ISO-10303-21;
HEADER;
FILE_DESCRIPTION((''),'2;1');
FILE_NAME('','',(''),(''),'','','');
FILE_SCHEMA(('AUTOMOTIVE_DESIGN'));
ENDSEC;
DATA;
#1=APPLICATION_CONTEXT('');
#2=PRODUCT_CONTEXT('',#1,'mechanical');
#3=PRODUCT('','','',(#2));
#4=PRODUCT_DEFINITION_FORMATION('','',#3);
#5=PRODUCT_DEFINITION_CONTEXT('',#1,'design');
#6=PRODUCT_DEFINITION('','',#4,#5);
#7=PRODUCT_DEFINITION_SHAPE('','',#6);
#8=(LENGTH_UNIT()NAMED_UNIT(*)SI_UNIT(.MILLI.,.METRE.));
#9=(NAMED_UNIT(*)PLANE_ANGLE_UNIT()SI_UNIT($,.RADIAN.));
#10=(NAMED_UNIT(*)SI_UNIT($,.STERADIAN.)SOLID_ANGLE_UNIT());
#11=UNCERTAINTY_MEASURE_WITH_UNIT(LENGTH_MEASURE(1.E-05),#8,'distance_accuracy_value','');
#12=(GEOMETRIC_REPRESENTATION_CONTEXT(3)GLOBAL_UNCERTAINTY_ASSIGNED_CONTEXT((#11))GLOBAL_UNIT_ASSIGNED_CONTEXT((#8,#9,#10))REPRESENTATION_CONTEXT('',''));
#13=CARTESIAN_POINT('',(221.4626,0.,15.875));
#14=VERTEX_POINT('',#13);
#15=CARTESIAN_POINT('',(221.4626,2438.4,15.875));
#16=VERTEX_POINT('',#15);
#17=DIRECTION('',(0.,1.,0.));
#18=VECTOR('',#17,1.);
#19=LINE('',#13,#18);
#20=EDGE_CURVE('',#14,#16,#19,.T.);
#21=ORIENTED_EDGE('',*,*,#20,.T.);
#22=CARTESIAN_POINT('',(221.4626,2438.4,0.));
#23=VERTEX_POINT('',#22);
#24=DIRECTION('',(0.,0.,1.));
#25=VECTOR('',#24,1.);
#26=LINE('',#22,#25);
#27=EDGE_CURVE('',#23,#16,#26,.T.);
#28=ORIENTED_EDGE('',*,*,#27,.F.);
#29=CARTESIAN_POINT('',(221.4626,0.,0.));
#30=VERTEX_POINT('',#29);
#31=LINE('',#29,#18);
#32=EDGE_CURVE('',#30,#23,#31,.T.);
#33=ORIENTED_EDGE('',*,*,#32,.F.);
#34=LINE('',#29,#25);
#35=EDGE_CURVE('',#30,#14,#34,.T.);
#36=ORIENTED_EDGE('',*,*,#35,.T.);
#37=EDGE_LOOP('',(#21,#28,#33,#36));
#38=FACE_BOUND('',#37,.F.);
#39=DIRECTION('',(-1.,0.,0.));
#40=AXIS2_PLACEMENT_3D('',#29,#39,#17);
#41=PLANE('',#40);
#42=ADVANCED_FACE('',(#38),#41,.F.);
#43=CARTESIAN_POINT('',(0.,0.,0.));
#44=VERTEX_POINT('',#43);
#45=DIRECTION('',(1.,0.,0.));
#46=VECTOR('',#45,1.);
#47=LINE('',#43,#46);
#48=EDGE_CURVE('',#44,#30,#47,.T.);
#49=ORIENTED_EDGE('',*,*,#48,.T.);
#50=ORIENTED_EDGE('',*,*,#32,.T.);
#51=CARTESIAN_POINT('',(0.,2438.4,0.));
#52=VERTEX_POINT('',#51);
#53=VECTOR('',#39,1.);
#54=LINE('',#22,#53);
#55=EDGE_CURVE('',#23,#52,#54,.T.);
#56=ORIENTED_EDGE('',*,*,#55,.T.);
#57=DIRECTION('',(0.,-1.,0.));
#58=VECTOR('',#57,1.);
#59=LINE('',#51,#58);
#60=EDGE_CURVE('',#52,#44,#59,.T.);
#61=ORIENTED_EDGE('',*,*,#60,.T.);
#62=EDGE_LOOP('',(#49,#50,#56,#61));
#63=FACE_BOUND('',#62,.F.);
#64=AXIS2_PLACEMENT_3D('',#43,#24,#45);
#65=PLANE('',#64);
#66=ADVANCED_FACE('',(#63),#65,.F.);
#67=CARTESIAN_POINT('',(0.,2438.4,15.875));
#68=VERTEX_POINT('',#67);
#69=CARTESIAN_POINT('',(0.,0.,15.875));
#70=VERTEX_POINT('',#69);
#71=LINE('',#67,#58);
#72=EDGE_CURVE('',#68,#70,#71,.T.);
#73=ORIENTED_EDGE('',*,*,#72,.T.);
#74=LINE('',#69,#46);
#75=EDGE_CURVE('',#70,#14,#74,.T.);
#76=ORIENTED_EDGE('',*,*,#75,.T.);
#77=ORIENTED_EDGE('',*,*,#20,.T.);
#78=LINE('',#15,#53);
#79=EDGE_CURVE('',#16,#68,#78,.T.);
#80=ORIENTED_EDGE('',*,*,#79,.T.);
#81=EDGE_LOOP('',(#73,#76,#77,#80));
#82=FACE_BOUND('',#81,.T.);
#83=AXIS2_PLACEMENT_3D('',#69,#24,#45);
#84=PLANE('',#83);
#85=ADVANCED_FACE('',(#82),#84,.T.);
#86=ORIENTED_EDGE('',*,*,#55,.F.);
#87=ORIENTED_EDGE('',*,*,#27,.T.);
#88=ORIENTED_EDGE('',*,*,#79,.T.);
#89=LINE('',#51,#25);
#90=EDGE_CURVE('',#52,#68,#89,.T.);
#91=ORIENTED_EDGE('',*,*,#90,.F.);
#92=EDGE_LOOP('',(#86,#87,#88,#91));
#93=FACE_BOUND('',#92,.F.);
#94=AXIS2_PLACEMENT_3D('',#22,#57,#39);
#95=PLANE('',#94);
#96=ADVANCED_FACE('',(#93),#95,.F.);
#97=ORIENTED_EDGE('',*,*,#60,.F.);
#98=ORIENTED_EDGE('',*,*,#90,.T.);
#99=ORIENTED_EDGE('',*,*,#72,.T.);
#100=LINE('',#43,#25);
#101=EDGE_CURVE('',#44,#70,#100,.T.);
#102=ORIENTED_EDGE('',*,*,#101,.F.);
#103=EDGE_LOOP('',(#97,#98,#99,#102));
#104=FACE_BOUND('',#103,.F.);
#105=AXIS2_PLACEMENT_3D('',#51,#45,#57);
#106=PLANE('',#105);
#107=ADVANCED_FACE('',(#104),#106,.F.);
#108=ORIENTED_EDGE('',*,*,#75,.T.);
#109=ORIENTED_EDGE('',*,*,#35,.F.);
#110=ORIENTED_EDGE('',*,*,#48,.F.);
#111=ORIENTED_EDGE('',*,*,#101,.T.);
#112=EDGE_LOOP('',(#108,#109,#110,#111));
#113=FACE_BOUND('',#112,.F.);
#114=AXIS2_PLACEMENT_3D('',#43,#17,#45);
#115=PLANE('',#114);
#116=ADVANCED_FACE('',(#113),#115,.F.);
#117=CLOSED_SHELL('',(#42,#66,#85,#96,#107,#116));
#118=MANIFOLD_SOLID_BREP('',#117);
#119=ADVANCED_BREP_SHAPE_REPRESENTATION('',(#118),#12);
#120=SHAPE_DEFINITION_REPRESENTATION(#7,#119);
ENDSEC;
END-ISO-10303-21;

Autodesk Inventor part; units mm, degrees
ref_plane "YZ Plane" through (0, 0, 0) normal (1, 0, 0) x (0, 1, 0)
ref_plane "XZ Plane" through (0, 0, 0) normal (0, 1, 0) x (-1, 0, 0)
ref_plane "XY Plane" through (0, 0, 0) normal (0, 0, 1) x (1, 0, 0)
sketch "Sketch1" plane through (0, 0, 0) normal (0, 0, 1) x (1, 0, 0)
  line L0 (0, 0) -> (221.4626, 0)
  line L1 (221.4626, 0) -> (221.4626, 2438.4)
  line L2 (221.4626, 2438.4) -> (0, 2438.4)
  line L3 (0, 2438.4) -> (0, 0)
  dimension "d2" = 2438.4
  dimension "d3" = 221.4626
extrude "Extrusion1" add sketch "Sketch1" along normal blind 15.875
properties part number "Sheathing_With_Dimensions_8.719_x_96_Inches"
